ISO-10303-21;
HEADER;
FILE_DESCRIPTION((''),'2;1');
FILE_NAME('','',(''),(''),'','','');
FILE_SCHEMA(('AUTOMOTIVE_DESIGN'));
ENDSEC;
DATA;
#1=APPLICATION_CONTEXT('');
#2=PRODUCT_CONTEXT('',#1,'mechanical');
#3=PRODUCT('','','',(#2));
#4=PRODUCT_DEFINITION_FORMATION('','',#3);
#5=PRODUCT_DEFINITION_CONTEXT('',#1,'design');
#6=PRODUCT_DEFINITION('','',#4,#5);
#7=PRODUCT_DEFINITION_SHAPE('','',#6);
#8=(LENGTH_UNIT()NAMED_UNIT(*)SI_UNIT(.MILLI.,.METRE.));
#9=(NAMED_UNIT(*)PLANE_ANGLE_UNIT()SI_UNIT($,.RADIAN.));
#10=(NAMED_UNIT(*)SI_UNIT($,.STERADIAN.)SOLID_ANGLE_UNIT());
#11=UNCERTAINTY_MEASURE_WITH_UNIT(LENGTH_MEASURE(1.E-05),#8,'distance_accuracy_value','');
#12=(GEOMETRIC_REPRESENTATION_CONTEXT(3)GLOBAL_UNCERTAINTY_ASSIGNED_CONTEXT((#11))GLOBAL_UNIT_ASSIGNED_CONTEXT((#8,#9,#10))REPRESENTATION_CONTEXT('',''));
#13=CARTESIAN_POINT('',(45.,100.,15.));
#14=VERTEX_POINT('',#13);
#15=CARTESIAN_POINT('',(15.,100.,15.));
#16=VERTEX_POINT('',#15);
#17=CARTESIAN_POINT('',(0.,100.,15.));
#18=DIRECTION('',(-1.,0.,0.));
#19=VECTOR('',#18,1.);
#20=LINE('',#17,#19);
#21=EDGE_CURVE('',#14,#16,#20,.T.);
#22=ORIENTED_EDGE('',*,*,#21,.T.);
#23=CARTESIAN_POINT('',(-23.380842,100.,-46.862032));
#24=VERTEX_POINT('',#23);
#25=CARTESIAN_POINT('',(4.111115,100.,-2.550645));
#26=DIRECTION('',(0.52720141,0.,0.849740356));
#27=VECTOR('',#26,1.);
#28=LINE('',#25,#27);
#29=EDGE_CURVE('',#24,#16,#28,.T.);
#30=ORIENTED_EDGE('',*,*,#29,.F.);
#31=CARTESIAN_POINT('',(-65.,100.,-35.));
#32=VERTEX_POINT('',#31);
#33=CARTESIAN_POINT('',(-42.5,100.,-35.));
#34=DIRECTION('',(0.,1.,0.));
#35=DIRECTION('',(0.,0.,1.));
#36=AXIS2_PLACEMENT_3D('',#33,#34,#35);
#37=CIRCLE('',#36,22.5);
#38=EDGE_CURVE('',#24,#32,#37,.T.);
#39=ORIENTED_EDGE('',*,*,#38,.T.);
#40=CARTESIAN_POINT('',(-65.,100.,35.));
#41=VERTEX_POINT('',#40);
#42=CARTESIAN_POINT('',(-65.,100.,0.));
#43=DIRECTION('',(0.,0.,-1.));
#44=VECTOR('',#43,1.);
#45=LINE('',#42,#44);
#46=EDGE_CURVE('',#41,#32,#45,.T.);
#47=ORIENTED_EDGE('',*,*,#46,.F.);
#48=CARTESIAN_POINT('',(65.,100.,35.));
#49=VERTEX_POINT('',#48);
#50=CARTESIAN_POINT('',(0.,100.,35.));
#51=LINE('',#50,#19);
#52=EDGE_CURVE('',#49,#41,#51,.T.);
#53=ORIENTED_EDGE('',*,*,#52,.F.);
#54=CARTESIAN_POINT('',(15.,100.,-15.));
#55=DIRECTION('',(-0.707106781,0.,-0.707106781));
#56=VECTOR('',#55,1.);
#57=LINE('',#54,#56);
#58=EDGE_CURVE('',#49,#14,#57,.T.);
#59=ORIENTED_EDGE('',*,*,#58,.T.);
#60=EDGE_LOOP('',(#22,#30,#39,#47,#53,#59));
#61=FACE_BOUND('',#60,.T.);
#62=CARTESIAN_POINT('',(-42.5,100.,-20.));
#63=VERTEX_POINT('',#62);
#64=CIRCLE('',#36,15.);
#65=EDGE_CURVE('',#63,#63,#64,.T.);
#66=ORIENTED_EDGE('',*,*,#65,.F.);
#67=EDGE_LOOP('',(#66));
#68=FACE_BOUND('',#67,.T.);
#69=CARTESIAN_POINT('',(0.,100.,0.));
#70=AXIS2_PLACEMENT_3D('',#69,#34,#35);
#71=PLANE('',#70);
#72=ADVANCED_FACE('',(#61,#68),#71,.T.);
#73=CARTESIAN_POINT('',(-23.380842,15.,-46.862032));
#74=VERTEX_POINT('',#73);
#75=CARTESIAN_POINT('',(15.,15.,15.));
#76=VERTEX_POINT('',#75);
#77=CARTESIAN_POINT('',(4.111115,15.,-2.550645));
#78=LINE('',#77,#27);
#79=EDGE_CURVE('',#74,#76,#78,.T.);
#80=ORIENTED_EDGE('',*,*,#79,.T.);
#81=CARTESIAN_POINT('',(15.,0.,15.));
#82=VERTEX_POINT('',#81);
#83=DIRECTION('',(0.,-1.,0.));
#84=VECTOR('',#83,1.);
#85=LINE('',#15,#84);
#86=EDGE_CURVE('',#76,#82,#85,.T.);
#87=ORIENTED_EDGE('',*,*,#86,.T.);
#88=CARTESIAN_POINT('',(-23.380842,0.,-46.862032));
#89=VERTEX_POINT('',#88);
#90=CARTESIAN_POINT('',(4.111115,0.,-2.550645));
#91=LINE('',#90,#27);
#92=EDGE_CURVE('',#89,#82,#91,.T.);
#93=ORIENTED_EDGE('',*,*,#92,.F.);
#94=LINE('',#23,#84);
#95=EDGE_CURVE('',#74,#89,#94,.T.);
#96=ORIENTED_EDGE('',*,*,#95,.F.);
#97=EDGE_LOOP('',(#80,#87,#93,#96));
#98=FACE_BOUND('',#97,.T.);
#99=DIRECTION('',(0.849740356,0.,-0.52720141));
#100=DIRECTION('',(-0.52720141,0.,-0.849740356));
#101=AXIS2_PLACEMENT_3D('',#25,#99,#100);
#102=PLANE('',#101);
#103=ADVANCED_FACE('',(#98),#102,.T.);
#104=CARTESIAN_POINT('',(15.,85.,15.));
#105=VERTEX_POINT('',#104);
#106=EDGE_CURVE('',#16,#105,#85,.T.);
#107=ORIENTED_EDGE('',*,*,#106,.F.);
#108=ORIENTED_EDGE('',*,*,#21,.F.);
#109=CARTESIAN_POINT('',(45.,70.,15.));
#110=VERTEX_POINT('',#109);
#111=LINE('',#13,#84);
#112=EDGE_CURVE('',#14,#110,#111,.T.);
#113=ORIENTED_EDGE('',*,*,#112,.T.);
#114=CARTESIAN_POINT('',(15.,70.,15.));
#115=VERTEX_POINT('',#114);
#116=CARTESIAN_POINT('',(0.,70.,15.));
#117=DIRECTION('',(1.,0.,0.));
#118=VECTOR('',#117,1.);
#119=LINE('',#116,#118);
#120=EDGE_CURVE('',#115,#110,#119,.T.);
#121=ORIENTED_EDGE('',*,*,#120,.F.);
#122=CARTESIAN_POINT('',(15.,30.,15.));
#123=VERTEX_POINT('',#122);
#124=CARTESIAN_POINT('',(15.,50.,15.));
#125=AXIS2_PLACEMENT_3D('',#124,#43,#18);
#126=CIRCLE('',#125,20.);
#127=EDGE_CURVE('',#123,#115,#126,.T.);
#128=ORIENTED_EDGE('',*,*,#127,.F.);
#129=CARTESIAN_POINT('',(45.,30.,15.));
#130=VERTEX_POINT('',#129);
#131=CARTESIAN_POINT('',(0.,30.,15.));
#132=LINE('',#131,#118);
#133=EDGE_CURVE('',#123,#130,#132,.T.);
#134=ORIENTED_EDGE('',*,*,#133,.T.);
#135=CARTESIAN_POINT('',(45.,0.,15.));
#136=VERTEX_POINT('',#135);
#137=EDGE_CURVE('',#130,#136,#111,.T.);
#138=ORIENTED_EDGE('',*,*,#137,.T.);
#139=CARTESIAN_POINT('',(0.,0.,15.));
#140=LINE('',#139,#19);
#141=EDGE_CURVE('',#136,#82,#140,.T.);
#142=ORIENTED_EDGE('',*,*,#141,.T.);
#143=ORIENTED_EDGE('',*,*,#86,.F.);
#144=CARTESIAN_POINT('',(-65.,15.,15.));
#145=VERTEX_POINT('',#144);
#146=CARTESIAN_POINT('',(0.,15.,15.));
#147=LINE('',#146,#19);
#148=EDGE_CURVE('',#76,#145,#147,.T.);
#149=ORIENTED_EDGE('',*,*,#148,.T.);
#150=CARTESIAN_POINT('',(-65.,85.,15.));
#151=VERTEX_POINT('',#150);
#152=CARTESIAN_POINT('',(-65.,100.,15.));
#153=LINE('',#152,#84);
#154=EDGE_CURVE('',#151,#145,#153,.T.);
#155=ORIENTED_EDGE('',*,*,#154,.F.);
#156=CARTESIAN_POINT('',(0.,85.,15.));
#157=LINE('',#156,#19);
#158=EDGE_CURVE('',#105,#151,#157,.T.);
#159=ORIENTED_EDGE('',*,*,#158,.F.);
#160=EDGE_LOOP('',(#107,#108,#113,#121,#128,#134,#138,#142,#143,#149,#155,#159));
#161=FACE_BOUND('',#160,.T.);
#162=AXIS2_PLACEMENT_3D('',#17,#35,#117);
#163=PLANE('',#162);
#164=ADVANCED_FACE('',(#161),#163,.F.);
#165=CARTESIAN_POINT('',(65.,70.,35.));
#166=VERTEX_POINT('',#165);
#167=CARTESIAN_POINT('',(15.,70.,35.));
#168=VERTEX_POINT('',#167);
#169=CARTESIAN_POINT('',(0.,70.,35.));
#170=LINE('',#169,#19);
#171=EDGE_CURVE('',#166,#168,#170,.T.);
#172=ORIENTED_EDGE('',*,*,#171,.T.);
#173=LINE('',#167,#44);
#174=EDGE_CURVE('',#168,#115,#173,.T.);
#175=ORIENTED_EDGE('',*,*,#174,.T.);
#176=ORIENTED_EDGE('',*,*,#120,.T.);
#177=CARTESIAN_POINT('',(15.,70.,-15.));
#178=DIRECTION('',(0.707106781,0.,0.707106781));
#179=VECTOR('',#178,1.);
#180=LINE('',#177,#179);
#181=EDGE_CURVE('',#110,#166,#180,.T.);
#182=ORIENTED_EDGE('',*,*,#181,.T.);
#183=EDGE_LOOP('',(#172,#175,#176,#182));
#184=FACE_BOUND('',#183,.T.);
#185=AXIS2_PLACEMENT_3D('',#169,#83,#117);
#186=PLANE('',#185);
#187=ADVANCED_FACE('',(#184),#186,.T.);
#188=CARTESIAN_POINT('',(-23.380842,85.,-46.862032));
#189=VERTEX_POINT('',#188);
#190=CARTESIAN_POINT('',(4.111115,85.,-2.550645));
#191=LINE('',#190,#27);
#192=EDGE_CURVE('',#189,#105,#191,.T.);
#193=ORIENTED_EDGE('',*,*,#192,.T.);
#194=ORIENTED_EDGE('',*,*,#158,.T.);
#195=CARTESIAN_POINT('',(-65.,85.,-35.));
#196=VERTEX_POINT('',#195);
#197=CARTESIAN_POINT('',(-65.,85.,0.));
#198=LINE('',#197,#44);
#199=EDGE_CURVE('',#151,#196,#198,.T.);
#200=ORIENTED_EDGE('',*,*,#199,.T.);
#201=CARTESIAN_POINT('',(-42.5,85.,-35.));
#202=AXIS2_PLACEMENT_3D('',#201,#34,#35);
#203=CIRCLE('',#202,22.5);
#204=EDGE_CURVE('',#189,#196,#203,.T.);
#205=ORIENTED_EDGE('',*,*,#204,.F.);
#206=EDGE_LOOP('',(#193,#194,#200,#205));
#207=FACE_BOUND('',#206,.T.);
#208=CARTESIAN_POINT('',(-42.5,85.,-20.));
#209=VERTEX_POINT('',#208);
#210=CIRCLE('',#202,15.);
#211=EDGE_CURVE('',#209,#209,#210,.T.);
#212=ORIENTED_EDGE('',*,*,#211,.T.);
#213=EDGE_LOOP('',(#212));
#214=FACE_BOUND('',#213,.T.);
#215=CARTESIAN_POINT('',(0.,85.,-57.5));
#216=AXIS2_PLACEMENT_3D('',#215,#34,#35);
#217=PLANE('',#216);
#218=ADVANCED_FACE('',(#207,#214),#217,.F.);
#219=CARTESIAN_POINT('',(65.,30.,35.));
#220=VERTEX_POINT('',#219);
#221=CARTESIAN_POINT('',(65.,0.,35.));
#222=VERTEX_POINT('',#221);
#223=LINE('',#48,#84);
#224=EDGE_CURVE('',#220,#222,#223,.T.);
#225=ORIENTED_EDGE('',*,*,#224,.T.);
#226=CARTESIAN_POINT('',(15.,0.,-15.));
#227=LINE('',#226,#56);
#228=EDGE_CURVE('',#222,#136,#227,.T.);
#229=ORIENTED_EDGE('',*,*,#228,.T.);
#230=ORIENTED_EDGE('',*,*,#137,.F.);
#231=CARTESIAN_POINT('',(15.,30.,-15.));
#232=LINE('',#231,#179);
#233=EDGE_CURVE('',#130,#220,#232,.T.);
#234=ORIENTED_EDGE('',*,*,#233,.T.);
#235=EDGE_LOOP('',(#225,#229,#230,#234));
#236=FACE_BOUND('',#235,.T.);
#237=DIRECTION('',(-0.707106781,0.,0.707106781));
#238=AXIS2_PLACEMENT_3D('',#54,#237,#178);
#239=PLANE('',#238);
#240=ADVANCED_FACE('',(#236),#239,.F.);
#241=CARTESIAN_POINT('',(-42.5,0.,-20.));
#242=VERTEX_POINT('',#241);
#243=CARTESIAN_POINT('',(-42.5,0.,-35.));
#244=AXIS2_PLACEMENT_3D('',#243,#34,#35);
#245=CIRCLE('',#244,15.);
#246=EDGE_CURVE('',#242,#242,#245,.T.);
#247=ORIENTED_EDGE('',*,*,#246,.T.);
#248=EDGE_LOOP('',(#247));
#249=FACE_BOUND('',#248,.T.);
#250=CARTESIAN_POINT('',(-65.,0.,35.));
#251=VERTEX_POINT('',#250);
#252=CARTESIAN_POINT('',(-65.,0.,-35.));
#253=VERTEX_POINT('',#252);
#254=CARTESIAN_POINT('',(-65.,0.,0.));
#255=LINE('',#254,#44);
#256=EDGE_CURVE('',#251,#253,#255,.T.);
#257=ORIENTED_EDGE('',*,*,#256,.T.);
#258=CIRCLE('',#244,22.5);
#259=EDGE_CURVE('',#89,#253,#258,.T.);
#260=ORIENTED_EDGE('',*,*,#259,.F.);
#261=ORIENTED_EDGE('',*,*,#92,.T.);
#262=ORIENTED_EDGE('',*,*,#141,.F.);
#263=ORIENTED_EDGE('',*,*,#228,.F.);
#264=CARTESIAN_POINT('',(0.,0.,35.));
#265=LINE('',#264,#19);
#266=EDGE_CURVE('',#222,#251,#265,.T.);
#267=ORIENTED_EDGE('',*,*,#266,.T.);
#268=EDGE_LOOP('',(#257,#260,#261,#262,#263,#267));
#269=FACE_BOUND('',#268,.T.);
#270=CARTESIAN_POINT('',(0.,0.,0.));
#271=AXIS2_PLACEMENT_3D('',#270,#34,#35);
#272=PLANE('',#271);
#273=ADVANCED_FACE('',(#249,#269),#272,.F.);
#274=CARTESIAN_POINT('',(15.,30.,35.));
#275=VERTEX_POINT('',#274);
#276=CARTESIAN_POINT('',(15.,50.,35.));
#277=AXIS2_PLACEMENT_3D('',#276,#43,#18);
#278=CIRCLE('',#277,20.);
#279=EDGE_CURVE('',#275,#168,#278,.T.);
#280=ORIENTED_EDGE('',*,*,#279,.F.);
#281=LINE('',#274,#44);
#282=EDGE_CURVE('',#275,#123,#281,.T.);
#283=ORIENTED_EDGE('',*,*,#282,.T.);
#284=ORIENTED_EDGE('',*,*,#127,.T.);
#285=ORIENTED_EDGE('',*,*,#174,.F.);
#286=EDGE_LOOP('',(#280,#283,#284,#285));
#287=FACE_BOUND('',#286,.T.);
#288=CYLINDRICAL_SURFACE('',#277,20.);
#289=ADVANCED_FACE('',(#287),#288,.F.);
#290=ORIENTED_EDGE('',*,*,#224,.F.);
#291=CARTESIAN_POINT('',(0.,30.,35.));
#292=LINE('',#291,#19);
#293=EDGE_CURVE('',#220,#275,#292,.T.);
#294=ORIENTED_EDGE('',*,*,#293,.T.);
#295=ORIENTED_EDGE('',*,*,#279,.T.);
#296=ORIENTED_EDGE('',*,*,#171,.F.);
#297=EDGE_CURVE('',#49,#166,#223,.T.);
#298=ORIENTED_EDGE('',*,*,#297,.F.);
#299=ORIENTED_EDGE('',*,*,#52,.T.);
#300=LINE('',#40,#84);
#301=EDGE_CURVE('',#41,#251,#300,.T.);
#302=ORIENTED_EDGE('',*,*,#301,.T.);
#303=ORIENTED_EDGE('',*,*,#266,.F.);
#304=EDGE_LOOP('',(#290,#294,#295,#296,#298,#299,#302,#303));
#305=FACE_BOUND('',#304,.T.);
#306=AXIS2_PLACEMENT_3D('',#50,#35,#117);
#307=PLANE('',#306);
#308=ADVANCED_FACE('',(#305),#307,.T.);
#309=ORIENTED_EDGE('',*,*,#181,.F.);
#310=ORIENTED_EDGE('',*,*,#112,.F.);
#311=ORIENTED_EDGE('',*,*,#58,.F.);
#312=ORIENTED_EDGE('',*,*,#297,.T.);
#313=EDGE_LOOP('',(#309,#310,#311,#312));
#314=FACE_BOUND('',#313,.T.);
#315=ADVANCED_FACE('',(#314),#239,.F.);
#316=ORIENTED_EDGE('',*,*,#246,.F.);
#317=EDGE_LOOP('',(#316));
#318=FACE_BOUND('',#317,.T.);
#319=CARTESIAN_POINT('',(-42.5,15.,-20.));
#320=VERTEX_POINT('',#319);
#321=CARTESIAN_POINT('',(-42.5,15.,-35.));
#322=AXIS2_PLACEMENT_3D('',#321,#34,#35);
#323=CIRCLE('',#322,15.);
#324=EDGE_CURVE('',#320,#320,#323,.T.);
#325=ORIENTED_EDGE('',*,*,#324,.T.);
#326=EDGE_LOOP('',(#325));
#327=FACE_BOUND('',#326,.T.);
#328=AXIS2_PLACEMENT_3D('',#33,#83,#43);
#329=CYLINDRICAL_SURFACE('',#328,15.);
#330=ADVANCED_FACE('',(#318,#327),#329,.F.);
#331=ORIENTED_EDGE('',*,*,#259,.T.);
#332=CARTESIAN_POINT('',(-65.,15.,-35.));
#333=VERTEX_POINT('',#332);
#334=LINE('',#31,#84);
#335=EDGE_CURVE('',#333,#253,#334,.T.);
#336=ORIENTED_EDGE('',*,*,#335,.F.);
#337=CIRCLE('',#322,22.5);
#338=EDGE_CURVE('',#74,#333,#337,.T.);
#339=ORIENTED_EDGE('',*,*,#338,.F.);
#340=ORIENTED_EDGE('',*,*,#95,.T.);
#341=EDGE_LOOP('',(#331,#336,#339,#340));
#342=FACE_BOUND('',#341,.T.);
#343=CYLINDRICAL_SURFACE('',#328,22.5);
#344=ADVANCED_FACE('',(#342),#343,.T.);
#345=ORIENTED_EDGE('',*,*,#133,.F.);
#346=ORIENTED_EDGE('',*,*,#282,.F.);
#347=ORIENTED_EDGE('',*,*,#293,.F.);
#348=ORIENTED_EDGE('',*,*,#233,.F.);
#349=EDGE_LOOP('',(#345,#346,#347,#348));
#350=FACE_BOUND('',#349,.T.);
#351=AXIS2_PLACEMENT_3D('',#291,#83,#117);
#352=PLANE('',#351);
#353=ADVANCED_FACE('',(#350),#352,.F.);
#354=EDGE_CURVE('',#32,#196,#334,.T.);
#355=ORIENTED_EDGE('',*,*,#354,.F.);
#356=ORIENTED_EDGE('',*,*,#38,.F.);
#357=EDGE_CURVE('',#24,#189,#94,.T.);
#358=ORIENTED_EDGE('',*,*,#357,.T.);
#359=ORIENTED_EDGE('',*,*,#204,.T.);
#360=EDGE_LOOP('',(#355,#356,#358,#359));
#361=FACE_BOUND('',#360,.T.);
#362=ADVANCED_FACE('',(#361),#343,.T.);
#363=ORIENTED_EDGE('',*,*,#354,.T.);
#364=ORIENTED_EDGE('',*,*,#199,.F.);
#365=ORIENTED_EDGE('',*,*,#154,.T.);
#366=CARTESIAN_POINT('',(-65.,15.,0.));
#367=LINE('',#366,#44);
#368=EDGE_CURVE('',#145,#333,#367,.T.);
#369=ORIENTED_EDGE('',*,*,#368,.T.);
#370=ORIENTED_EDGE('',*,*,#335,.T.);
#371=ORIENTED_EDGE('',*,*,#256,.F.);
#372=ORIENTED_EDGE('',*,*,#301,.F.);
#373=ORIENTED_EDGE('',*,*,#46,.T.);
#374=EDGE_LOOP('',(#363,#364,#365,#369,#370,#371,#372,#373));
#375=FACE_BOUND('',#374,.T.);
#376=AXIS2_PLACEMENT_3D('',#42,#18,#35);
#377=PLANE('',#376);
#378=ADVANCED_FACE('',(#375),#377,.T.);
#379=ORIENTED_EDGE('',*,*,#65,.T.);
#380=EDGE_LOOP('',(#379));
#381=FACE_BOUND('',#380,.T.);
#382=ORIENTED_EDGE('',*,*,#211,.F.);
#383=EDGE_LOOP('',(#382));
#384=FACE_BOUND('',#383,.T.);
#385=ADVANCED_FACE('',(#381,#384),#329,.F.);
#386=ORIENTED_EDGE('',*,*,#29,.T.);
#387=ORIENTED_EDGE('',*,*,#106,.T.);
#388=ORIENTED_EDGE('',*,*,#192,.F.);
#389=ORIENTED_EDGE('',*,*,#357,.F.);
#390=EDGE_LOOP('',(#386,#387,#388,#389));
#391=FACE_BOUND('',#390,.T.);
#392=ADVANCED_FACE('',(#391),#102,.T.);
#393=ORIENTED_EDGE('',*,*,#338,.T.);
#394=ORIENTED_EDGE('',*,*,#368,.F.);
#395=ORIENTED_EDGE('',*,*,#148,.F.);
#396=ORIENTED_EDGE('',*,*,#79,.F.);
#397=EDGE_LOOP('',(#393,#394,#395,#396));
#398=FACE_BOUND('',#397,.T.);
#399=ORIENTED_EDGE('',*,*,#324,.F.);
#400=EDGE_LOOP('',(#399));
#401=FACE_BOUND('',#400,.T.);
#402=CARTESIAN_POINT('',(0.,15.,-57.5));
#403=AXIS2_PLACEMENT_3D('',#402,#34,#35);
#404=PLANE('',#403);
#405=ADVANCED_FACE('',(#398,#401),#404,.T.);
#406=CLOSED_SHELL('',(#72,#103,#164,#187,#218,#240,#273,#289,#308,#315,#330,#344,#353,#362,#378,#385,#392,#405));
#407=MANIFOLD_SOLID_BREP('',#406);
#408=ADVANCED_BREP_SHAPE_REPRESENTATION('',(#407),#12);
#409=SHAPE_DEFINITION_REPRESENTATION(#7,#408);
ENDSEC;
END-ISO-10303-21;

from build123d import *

# Parameters (mm, degrees)
BOSS_EXTRUDE1_DEPTH     = 100
SKETCH2_W               = 30
SKETCH2_H               = 15
CUT_EXTRUDE1_DEPTH      = 73.5
SKETCH2_3_W             = 30
SKETCH2_3_H             = 40
SKETCH2_3_W_2           = 61.993822349
CUT_EXTRUDE3_DEPTH      = 73.5
CUT_EXTRUDE3_DEPTH_BACK = 21


with BuildPart() as part:
    # Sketch1 → Boss-Extrude1 (new body)
    with BuildSketch(Plane(origin=(0, 0, 0), x_dir=(1, 0, 0), z_dir=(0, 1, 0))):
        with BuildLine():
            Line((15, -15), (-16.021323509, 35))
            Line((-16.021323509, 35), (-20, 35))
            ThreePointArc((-20, 35), (-42.5, 12.5), (-65, 35))
            Line((-65, 35), (-65, -35))
            Line((-65, -35), (65, -35))
            Line((65, -35), (45, -15))
            Line((45, -15), (15, -15))
        make_face()
        with BuildLine():
            ThreePointArc((-20, 35), (-20.861711534, 41.16720944), (-23.38084198, 46.862031723))
            ThreePointArc((-23.38084198, 46.862031723), (-48.66720944, 56.638288466), (-65, 35))
            Line((-65, 35), (-57.5, 35))
            ThreePointArc((-57.5, 35), (-42.5, 50), (-27.5, 35))
            Line((-27.5, 35), (-20, 35))
        make_face()
        with BuildLine():
            ThreePointArc((-65, 35), (-42.5, 12.5), (-20, 35))
            Line((-20, 35), (-27.5, 35))
            ThreePointArc((-27.5, 35), (-42.5, 20), (-57.5, 35))
            Line((-57.5, 35), (-65, 35))
        make_face()
        with BuildLine():
            Line((-16.021323509, 35), (-23.38084198, 46.862031723))
            ThreePointArc((-23.38084198, 46.862031723), (-20.861711534, 41.16720944), (-20, 35))
            Line((-20, 35), (-16.021323509, 35))
        make_face()
    extrude(amount=BOSS_EXTRUDE1_DEPTH)

    # Sketch2 → Cut-Extrude1 (cut, through all)
    with BuildSketch(Plane(origin=(0, 0, 15), x_dir=(-1, 0, 0), z_dir=(0, 0, -1))):
        with Locations((-30, 77.5)):
            Rectangle(SKETCH2_W, SKETCH2_H)
        with BuildLine():
            Line((-15, 85), (-15, 70))
            ThreePointArc((-15, 70), (5, 50), (-15, 30))
            Line((-15, 30), (-15, 15))
            Line((-15, 15), (76.993822349, 15))
            Line((76.993822349, 15), (76.993822349, 85))
            Line((76.993822349, 85), (-15, 85))
        make_face()
        with Locations((-30, 22.5)):
            Rectangle(SKETCH2_W, SKETCH2_H)
    extrude(amount=CUT_EXTRUDE1_DEPTH, mode=Mode.SUBTRACT)

    # Sketch2<3> → Cut-Extrude3 (cut, two sides)
    with BuildSketch(Plane(origin=(0, 0, 15), x_dir=(-1, 0, 0), z_dir=(0, 0, -1))) as cut_extrude3_sk:
        with Locations((-30, 50)):
            Rectangle(SKETCH2_3_W, SKETCH2_3_H)
        with Locations((-75.996911175, 50)):
            Rectangle(SKETCH2_3_W_2, SKETCH2_3_H)
        with BuildLine():
            ThreePointArc((-15, 30), (5, 50), (-15, 70))
            Line((-15, 70), (-15, 30))
        make_face()
    extrude(amount=CUT_EXTRUDE3_DEPTH, mode=Mode.SUBTRACT)
    extrude(cut_extrude3_sk.sketch, amount=-CUT_EXTRUDE3_DEPTH_BACK, mode=Mode.SUBTRACT)


solid = part.part
